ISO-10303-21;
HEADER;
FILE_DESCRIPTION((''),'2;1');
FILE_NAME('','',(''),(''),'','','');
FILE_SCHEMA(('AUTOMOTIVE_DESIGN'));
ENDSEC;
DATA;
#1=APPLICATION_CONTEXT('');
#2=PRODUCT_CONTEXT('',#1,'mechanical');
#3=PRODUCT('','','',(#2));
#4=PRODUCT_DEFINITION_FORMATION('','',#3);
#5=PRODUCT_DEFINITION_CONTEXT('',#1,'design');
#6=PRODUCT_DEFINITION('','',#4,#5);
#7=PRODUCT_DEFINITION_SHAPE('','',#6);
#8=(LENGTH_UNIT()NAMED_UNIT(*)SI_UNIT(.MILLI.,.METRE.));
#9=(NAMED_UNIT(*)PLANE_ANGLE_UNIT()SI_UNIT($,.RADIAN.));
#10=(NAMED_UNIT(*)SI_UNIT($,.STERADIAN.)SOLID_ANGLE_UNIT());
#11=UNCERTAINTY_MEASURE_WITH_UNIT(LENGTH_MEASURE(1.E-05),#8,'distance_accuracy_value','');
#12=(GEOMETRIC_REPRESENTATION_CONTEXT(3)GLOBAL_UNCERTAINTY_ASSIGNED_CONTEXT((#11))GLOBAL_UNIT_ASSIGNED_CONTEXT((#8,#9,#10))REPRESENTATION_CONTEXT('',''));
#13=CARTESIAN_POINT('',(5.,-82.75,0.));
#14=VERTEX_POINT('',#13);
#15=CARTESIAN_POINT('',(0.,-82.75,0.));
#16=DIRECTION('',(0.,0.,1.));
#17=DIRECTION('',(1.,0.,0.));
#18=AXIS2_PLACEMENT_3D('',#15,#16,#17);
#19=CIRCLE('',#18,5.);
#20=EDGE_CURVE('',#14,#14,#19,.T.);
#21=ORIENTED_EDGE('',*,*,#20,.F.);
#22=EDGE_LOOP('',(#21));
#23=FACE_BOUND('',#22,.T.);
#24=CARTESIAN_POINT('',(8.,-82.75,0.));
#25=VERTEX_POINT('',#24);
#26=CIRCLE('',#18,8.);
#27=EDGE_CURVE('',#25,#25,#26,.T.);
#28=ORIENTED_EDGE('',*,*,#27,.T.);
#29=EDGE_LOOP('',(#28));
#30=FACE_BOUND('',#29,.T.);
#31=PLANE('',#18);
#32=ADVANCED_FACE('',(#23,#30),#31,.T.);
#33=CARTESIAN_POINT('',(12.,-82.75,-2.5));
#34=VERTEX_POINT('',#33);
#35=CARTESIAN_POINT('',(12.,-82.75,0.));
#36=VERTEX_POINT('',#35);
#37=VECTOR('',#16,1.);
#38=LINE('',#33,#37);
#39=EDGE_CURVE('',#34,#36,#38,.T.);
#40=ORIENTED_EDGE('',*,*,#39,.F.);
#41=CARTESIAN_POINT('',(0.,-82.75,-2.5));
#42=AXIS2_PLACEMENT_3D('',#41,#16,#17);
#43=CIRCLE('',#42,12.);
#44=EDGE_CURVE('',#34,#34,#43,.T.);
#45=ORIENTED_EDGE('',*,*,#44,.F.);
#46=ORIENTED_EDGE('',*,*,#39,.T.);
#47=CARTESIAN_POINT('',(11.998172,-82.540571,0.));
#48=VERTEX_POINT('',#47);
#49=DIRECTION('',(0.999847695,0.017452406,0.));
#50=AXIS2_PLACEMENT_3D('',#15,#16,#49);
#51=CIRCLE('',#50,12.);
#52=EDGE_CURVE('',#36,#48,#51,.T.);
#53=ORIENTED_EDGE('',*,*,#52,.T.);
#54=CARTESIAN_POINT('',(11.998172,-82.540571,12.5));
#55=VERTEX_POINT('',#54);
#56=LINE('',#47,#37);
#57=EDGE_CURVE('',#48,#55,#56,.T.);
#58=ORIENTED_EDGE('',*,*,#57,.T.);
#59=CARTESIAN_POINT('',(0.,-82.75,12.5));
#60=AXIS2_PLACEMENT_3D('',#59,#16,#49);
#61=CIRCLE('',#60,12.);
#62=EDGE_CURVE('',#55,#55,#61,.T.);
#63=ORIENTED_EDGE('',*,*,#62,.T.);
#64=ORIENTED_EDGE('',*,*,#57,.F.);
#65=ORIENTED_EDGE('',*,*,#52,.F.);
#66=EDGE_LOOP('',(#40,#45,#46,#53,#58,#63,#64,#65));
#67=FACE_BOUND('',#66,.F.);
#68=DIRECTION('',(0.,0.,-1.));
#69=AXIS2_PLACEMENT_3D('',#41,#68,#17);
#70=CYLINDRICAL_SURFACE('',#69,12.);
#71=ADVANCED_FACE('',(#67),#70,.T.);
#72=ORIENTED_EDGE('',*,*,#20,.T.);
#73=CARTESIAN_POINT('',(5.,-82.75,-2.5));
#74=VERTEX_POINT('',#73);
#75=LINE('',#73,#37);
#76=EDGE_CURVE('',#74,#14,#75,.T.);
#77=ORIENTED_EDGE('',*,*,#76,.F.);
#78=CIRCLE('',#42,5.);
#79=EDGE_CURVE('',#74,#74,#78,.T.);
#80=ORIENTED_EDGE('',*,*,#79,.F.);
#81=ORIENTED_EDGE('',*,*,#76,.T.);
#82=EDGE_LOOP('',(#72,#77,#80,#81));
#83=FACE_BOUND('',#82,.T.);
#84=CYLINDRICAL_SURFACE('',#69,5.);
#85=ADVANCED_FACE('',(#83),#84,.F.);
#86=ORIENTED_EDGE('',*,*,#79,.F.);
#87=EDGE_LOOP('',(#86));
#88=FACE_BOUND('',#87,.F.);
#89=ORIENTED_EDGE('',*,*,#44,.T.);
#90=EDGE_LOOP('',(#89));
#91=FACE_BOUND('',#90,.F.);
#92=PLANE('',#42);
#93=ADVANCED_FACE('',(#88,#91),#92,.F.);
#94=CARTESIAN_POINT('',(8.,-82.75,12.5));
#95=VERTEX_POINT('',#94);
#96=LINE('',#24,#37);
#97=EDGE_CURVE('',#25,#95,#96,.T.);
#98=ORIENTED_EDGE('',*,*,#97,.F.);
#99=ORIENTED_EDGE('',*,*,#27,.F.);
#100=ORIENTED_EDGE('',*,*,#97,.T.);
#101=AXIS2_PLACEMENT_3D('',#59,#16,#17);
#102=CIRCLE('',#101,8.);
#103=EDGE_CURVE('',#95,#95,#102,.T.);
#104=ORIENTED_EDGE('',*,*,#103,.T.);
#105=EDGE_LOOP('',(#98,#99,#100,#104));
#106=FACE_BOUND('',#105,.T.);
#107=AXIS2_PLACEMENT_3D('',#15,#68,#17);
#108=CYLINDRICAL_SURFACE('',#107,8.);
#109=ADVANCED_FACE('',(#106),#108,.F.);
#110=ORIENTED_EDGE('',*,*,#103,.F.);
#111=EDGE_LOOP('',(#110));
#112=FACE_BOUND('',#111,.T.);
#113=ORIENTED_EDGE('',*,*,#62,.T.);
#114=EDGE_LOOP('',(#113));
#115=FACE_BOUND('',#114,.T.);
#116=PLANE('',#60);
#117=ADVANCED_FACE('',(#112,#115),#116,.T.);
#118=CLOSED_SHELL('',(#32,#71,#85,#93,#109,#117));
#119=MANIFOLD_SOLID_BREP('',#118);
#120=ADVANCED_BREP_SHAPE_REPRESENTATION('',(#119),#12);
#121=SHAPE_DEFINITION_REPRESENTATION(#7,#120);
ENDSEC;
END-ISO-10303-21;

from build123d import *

# Parameters (mm, degrees)
CYLINDER024_R               = 5
CYLINDER024_DEPTH           = 2.5
CYLINDER019_R               = 12
CYLINDER019_DEPTH           = 2.5
CYLINDER027_R               = 8
CYLINDER027_DEPTH           = 12.5
CYLINDER026_R               = 12
CYLINDER026_DEPTH           = 12.5
CYLINDER026_PLACEMENT_ANGLE = 1


with BuildPart() as largeplughole:
    # Cylinder024 → Cylinder024 (new body)
    with BuildSketch(Plane.XY):
        Circle(CYLINDER024_R)
    extrude(amount=CYLINDER024_DEPTH)


with BuildPart() as largeplugbase001:
    # Cylinder019 → Cylinder019 (new body)
    with BuildSketch(Plane.XY):
        Circle(CYLINDER019_R)
    extrude(amount=CYLINDER019_DEPTH)

    # Cut008: cut LargePlugHole
    add(largeplughole.part, mode=Mode.SUBTRACT)


with BuildPart() as largeplugwallhole:
    # Cylinder027 → Cylinder027 (new body)
    with BuildSketch(Plane.XY.offset(2.5)):
        Circle(CYLINDER027_R)
    extrude(amount=CYLINDER027_DEPTH)


with BuildPart() as vrm2_out_adapter:
    # Cylinder026 → Cylinder026 (new body)
    with BuildSketch(Plane.XY):
        Circle(CYLINDER026_R)
    extrude(amount=CYLINDER026_DEPTH)


with BuildPart() as vrm2_out_adapter_1:
    # Cylinder026 placement: moved
    add(vrm2_out_adapter.part.moved(Location((0, 0, 2.5))).rotate(Axis((0, 0, 2.5), (0, 0, 1)), CYLINDER026_PLACEMENT_ANGLE))

    # Cut007: cut LargePlugWallHole
    add(largeplugwallhole.part, mode=Mode.SUBTRACT)

    # Fusion029: union LargePlugBase001
    add(largeplugbase001.part)


with BuildPart() as vrm2_out_adapter_2:
    # Fusion029 placement: moved
    add(vrm2_out_adapter_1.part.moved(Location((0, -82.75, -2.5))))


solid = vrm2_out_adapter_2.part
